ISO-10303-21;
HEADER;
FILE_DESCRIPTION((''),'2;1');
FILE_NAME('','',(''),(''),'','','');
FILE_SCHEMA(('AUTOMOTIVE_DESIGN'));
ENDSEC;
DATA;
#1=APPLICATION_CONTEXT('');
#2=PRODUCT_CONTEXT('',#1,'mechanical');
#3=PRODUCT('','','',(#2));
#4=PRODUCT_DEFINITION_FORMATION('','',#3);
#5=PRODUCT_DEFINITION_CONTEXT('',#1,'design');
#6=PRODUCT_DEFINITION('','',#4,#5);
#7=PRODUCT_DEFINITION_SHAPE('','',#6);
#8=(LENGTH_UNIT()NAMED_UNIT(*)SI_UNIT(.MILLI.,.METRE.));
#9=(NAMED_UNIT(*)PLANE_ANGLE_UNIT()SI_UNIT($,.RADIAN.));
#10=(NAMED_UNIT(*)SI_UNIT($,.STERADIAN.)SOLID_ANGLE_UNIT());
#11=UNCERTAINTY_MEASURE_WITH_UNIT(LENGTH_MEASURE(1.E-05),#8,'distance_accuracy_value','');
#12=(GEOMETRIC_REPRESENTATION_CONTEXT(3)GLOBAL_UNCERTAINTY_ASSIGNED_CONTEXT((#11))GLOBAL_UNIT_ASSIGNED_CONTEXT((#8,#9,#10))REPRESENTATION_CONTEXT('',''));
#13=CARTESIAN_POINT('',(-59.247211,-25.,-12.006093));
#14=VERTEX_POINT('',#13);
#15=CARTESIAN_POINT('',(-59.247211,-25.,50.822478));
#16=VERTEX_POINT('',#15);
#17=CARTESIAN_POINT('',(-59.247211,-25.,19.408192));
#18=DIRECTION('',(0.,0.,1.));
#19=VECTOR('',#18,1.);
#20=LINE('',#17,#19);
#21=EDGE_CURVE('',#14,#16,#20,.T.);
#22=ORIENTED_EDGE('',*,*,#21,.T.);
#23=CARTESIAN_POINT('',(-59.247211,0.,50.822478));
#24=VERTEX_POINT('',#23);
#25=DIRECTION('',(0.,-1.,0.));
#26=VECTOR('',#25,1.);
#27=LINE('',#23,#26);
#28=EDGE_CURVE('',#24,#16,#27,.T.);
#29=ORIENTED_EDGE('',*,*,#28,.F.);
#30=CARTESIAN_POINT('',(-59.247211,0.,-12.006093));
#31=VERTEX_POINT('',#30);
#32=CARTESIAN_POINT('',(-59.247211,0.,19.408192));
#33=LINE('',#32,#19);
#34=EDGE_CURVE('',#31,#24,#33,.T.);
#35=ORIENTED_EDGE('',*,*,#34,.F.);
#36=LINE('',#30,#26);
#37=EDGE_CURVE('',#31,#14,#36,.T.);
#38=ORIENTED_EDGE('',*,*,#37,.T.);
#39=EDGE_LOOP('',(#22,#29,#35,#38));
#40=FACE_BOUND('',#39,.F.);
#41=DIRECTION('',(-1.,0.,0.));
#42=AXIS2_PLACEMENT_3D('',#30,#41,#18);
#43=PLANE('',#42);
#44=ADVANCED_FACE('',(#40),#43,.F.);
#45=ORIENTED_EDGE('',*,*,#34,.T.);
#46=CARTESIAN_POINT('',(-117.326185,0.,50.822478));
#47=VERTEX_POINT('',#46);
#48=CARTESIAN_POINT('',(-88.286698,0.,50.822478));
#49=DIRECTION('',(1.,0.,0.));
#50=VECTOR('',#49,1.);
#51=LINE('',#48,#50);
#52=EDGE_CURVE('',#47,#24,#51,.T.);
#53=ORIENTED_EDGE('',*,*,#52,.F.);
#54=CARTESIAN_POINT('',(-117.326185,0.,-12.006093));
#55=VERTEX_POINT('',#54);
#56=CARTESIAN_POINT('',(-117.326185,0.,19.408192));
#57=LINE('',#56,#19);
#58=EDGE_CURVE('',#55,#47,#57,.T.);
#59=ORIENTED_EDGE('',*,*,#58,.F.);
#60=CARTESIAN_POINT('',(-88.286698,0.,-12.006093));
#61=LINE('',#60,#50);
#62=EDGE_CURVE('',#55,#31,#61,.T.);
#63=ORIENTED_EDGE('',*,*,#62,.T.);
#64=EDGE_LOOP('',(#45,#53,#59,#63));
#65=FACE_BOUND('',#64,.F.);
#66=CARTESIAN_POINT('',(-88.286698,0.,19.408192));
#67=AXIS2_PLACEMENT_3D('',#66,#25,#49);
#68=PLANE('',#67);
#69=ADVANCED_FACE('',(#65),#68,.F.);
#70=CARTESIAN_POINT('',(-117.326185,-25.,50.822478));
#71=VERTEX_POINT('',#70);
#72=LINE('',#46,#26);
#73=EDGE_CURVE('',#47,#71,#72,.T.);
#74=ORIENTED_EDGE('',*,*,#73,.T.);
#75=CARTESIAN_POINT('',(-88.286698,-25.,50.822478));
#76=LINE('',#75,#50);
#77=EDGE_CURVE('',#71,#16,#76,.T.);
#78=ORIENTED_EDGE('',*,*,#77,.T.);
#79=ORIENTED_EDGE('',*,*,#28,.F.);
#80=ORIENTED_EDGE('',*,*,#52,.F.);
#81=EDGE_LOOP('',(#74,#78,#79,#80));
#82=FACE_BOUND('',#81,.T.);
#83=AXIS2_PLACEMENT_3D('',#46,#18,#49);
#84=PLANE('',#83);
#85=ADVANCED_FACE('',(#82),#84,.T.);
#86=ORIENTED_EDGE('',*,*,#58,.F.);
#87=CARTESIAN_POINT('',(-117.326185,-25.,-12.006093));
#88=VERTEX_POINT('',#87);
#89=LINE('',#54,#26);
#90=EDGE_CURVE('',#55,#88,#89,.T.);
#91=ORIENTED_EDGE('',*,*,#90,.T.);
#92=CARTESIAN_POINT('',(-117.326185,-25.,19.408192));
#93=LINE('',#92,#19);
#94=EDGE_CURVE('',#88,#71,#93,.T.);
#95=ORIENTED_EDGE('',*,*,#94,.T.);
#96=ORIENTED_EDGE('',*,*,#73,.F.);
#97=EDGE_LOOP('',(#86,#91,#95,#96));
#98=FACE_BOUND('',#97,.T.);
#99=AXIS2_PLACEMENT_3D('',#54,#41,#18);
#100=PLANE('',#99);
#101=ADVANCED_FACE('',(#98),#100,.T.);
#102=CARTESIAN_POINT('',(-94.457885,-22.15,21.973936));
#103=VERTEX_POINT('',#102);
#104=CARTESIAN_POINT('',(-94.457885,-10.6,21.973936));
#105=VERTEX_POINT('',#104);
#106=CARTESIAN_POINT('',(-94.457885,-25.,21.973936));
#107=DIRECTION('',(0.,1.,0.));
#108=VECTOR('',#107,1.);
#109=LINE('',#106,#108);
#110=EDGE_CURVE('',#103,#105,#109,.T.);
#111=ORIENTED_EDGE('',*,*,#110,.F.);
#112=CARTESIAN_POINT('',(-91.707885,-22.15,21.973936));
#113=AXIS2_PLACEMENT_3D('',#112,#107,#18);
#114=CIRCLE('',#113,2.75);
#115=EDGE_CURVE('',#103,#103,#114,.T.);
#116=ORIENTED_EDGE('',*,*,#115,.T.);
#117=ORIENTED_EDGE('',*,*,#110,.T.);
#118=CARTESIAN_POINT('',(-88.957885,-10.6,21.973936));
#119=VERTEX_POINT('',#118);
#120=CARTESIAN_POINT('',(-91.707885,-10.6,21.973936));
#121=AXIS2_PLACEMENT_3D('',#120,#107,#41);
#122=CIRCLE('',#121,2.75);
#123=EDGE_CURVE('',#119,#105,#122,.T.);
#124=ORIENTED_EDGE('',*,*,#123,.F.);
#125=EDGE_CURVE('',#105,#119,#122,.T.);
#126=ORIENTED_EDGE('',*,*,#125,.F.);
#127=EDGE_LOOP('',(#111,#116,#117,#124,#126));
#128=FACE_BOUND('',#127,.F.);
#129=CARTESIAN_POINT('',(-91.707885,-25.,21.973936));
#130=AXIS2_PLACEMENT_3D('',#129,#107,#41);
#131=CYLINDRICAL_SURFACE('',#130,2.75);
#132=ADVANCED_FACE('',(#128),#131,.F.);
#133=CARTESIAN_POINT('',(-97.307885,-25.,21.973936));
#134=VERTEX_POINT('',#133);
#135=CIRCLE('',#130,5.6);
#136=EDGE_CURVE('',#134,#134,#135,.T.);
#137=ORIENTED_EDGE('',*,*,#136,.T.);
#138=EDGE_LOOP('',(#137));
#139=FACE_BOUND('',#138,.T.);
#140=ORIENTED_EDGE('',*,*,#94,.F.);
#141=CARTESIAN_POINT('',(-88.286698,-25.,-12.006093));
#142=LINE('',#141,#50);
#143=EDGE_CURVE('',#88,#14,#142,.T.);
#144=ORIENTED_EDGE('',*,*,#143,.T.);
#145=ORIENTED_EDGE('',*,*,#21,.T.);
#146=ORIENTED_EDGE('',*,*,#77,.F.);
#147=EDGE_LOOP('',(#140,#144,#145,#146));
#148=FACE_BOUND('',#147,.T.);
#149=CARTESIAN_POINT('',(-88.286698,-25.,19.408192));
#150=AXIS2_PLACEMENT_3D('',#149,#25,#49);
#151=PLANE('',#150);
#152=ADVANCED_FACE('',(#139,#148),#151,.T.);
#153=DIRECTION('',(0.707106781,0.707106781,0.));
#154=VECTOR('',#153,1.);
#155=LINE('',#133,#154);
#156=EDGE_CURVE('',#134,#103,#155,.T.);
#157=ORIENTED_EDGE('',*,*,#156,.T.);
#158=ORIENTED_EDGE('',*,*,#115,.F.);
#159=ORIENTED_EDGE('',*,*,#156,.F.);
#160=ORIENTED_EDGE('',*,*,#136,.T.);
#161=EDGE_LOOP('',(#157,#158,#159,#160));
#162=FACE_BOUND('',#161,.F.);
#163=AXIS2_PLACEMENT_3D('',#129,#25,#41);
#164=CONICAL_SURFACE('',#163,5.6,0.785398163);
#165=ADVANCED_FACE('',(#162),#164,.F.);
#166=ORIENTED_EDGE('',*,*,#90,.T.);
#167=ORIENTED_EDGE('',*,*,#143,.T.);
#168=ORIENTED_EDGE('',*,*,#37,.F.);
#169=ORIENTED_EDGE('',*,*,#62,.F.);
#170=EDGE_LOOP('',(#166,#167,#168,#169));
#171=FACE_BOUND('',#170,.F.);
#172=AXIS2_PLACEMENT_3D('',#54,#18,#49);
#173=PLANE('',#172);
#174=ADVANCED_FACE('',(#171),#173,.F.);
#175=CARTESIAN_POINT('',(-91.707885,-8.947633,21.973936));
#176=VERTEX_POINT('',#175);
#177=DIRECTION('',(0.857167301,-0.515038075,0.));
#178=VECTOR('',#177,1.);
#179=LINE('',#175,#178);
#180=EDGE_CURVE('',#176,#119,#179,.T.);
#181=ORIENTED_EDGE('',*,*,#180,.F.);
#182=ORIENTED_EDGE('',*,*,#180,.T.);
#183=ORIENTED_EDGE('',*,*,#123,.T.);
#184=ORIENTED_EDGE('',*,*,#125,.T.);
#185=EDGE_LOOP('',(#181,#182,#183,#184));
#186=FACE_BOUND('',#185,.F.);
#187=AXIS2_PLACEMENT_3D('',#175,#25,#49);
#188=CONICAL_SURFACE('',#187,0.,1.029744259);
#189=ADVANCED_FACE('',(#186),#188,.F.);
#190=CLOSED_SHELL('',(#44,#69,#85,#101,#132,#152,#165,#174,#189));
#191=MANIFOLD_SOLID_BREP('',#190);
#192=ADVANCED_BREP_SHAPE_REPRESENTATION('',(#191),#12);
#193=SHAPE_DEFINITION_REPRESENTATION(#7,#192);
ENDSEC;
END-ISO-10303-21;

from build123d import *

# Parameters (mm, degrees)
F0_W           = 58.0789744854
F0_H           = 62.8285706043
F1_DEPTH       = 25
F3_D           = 5.5
F3_DEPTH       = 14.4
F3_CSINK_D     = 11.2
F3_CSINK_ANGLE = 90
F3_TIP         = 1.6523667023


with BuildPart() as f1:
    # F0 (on Front) → F1 (new body)
    with BuildSketch(Plane.XZ):
        with Locations((-88.2866978645, 19.4081924856)):
            Rectangle(F0_W, F0_H)
    extrude(amount=F1_DEPTH)

    # F3
    with Locations(Plane.XZ.offset(25)):
        with Locations((-91.7078852654, 21.9739358872)):
            CounterSinkHole(F3_D / 2, F3_CSINK_D / 2, depth=F3_DEPTH, counter_sink_angle=F3_CSINK_ANGLE)
            with Locations((0, 0, -(F3_DEPTH + F3_TIP / 2))):  # 118° drill point
                Cone(0, F3_D / 2, F3_TIP, mode=Mode.SUBTRACT)


solid = f1.part
